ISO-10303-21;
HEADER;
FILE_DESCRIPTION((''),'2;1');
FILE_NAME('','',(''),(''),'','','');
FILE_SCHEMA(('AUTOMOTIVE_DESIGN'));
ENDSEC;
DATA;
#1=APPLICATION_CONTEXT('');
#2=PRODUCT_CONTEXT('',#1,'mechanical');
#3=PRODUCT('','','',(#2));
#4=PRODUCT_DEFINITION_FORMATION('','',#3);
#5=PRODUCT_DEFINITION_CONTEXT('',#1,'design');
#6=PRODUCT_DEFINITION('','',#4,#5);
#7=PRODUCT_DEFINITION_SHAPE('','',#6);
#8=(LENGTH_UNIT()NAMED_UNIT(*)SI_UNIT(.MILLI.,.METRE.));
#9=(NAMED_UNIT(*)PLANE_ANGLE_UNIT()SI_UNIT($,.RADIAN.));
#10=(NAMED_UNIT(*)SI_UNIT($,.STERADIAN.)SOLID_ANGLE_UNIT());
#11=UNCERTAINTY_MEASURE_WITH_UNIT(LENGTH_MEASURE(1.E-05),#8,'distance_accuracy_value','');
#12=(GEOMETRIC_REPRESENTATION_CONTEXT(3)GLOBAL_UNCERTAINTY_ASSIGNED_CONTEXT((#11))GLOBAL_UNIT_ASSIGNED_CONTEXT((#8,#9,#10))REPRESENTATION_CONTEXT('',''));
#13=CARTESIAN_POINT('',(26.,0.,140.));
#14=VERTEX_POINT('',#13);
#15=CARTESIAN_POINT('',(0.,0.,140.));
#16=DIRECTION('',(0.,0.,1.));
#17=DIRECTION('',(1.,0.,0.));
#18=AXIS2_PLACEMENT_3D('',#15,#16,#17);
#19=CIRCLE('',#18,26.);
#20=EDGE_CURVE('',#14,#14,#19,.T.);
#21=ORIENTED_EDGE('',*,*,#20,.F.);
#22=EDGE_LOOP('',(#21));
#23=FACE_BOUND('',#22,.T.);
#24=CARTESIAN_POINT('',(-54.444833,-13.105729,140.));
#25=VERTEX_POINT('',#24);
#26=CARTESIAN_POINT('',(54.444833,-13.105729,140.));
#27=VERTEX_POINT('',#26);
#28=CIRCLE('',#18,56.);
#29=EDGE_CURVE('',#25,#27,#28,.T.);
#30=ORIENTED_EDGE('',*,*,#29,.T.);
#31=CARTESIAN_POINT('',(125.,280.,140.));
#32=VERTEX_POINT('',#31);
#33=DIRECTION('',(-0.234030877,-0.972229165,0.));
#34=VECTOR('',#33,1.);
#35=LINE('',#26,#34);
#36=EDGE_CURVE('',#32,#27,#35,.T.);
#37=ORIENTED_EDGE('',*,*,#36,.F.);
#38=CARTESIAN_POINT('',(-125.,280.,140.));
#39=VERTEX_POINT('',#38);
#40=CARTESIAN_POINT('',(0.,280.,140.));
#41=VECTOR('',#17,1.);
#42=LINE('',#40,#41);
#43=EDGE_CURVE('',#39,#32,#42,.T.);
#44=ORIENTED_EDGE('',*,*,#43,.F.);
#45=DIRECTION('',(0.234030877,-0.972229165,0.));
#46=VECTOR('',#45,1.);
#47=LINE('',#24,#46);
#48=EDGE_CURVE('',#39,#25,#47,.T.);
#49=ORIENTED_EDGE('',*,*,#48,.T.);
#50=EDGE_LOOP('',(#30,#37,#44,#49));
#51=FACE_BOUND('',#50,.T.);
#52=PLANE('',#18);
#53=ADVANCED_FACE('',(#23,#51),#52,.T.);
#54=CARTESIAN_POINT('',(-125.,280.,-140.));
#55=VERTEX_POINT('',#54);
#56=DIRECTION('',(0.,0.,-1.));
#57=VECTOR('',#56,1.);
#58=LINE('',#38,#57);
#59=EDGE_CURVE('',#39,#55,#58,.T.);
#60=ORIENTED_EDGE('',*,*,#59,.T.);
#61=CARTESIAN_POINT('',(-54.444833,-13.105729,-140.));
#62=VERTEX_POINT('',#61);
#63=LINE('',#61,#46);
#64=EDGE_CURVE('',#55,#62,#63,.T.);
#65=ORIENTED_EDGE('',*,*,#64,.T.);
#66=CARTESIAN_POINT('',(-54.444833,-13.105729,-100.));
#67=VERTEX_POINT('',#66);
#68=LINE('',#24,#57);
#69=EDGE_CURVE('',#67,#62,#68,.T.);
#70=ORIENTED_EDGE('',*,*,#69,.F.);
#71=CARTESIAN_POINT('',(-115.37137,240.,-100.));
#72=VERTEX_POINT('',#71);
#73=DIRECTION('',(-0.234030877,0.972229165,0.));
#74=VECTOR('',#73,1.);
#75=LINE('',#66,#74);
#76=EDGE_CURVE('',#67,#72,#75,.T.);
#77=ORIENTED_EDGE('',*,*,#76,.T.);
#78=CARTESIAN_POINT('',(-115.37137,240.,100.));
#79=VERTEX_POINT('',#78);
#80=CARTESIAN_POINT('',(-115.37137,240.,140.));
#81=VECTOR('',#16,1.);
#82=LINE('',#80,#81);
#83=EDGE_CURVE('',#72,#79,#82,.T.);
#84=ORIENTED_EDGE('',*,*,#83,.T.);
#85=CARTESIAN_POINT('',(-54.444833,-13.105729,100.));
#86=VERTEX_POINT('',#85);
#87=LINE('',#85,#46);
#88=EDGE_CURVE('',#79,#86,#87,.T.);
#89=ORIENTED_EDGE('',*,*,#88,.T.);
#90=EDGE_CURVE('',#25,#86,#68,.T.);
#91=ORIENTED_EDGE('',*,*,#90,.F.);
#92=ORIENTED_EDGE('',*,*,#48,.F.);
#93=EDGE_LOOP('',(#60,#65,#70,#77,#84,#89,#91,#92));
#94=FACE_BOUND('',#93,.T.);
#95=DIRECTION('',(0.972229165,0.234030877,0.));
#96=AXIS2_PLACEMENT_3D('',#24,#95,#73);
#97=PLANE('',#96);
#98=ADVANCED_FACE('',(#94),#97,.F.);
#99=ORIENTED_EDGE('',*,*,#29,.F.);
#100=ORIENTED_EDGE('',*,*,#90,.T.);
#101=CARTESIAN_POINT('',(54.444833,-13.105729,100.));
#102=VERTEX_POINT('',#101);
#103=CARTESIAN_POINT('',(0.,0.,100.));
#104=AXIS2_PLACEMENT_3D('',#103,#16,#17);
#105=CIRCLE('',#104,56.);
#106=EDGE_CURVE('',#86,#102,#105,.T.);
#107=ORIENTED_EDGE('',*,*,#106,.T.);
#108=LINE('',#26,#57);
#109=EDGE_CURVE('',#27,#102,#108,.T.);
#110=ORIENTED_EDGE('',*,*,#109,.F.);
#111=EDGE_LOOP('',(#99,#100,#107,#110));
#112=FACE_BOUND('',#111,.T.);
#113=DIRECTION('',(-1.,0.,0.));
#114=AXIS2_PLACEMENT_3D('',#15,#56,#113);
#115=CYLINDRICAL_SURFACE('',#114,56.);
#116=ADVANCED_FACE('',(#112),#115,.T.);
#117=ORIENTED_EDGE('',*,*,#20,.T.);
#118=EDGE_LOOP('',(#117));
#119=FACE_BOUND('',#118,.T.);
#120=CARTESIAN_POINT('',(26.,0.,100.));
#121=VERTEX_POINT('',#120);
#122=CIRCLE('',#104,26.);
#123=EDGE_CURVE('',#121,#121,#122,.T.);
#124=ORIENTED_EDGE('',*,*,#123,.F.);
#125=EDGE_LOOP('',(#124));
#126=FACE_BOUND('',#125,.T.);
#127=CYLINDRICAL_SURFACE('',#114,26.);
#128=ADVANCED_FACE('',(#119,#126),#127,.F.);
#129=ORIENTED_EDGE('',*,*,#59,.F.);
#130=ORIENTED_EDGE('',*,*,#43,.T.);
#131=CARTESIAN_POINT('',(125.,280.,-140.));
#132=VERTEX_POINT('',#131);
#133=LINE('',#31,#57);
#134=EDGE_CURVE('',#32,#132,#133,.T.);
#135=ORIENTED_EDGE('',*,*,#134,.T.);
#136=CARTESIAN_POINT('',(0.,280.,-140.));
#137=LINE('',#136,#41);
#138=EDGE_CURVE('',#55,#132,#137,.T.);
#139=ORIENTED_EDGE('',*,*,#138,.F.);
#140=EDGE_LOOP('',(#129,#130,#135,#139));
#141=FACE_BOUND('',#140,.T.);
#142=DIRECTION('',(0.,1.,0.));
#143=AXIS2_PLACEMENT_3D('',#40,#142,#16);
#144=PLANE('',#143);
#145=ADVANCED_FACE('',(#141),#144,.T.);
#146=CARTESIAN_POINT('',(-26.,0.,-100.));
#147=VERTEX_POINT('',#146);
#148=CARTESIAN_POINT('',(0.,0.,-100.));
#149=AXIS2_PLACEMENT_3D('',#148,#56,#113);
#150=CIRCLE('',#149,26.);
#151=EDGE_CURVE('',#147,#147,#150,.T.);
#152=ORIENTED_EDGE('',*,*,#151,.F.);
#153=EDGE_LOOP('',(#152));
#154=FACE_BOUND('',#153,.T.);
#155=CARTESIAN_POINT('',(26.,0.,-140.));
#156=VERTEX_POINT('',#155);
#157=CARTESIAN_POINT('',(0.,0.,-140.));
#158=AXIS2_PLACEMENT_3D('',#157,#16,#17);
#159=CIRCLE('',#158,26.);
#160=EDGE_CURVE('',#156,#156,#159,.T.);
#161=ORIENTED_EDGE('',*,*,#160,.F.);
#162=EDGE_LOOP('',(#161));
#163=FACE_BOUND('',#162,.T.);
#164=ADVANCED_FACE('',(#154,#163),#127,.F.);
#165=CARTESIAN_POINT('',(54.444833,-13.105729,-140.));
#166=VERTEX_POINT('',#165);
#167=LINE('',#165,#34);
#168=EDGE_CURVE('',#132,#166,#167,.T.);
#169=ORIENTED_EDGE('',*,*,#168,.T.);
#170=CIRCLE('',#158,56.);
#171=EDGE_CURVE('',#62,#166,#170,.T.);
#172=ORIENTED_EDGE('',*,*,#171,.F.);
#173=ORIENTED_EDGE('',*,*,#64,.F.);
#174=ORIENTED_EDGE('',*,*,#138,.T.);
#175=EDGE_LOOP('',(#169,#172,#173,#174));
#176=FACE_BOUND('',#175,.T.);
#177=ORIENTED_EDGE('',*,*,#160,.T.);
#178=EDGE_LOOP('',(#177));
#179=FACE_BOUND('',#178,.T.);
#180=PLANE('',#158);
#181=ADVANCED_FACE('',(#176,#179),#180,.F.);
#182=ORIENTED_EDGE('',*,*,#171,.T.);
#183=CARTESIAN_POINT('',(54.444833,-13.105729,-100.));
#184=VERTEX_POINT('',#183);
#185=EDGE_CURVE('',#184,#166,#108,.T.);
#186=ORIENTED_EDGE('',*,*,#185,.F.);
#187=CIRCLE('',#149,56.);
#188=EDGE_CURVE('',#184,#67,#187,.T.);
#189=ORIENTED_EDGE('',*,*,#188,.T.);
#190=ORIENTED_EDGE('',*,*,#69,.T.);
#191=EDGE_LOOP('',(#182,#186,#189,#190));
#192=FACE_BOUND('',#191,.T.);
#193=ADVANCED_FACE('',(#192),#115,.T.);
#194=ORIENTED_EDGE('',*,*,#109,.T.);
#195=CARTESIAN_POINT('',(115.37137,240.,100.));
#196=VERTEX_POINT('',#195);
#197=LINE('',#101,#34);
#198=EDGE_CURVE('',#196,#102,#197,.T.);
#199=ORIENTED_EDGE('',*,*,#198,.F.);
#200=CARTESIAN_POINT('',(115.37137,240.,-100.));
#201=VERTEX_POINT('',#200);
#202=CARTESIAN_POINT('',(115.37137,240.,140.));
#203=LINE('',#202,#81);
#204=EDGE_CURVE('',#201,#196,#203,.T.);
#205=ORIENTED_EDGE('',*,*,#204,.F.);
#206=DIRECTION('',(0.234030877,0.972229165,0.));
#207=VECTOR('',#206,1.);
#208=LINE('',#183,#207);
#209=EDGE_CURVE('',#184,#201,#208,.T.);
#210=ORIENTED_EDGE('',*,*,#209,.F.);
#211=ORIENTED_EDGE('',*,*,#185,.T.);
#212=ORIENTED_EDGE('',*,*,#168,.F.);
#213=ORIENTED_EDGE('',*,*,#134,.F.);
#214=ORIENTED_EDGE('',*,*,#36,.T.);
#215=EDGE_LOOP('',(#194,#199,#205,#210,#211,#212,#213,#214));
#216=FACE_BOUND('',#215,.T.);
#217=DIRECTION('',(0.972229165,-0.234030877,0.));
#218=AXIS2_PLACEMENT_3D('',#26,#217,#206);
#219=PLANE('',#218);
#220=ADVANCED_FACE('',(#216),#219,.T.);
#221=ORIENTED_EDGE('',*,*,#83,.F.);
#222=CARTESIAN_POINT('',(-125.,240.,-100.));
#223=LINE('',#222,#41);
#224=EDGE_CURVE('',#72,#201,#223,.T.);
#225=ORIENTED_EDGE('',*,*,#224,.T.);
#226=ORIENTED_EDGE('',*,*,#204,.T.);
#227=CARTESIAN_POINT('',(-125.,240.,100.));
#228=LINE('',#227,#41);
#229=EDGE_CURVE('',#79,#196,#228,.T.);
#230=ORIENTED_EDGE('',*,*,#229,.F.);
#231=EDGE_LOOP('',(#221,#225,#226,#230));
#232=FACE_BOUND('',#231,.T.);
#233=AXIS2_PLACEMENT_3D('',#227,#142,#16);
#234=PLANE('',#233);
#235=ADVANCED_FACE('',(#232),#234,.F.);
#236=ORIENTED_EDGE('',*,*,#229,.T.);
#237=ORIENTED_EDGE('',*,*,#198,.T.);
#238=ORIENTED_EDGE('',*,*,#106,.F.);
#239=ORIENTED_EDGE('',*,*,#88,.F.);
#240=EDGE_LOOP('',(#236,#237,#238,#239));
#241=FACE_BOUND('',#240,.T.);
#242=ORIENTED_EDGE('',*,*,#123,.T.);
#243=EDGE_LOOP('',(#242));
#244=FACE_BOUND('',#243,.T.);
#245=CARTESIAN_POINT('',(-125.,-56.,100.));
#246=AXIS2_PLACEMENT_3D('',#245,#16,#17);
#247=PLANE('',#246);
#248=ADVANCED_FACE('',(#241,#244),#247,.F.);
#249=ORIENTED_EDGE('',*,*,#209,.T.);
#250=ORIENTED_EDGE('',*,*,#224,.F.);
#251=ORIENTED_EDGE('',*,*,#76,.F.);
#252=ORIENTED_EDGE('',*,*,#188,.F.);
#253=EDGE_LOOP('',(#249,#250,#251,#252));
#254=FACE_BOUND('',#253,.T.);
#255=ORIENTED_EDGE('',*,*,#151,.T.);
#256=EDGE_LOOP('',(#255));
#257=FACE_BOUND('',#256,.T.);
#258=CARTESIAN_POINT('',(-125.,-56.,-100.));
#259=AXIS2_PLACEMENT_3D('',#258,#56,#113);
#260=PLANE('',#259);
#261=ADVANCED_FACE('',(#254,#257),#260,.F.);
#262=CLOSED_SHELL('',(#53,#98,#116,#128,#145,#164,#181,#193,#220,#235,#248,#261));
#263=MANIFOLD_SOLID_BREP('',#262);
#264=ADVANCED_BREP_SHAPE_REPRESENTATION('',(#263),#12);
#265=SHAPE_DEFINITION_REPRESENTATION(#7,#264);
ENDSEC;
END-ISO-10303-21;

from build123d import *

# Parameters (mm, degrees)
SKETCH1_R               = 26
BOSS_EXTRUDE1_DEPTH     = 140
SKETCH2_W               = 200
SKETCH2_H               = 296
CUT_EXTRUDE1_DEPTH      = 126
CUT_EXTRUDE1_DEPTH_BACK = 126


with BuildPart() as part:
    # Sketch1 → Boss-Extrude1 (new body, symmetric)
    with BuildSketch(Plane.XY):
        with BuildLine():
            Line((125, 280), (-125, 280))
            Line((-125, 280), (-54.44483322, -13.105729116))
            ThreePointArc((-54.44483322, -13.105729116), (0, -56), (54.44483322, -13.105729116))
            Line((54.44483322, -13.105729116), (125, 280))
        make_face()
        Circle(SKETCH1_R, mode=Mode.SUBTRACT)
    extrude(amount=BOSS_EXTRUDE1_DEPTH, both=True)

    # Sketch2 → Cut-Extrude1 (cut, two sides)
    with BuildSketch(Plane(origin=(0, 0, 0), x_dir=(0, 0, -1), z_dir=(1, 0, 0))) as cut_extrude1_sk:
        with Locations((0, 92)):
            Rectangle(SKETCH2_W, SKETCH2_H)
    extrude(amount=CUT_EXTRUDE1_DEPTH, mode=Mode.SUBTRACT)
    extrude(cut_extrude1_sk.sketch, amount=-CUT_EXTRUDE1_DEPTH_BACK, mode=Mode.SUBTRACT)


solid = part.part
